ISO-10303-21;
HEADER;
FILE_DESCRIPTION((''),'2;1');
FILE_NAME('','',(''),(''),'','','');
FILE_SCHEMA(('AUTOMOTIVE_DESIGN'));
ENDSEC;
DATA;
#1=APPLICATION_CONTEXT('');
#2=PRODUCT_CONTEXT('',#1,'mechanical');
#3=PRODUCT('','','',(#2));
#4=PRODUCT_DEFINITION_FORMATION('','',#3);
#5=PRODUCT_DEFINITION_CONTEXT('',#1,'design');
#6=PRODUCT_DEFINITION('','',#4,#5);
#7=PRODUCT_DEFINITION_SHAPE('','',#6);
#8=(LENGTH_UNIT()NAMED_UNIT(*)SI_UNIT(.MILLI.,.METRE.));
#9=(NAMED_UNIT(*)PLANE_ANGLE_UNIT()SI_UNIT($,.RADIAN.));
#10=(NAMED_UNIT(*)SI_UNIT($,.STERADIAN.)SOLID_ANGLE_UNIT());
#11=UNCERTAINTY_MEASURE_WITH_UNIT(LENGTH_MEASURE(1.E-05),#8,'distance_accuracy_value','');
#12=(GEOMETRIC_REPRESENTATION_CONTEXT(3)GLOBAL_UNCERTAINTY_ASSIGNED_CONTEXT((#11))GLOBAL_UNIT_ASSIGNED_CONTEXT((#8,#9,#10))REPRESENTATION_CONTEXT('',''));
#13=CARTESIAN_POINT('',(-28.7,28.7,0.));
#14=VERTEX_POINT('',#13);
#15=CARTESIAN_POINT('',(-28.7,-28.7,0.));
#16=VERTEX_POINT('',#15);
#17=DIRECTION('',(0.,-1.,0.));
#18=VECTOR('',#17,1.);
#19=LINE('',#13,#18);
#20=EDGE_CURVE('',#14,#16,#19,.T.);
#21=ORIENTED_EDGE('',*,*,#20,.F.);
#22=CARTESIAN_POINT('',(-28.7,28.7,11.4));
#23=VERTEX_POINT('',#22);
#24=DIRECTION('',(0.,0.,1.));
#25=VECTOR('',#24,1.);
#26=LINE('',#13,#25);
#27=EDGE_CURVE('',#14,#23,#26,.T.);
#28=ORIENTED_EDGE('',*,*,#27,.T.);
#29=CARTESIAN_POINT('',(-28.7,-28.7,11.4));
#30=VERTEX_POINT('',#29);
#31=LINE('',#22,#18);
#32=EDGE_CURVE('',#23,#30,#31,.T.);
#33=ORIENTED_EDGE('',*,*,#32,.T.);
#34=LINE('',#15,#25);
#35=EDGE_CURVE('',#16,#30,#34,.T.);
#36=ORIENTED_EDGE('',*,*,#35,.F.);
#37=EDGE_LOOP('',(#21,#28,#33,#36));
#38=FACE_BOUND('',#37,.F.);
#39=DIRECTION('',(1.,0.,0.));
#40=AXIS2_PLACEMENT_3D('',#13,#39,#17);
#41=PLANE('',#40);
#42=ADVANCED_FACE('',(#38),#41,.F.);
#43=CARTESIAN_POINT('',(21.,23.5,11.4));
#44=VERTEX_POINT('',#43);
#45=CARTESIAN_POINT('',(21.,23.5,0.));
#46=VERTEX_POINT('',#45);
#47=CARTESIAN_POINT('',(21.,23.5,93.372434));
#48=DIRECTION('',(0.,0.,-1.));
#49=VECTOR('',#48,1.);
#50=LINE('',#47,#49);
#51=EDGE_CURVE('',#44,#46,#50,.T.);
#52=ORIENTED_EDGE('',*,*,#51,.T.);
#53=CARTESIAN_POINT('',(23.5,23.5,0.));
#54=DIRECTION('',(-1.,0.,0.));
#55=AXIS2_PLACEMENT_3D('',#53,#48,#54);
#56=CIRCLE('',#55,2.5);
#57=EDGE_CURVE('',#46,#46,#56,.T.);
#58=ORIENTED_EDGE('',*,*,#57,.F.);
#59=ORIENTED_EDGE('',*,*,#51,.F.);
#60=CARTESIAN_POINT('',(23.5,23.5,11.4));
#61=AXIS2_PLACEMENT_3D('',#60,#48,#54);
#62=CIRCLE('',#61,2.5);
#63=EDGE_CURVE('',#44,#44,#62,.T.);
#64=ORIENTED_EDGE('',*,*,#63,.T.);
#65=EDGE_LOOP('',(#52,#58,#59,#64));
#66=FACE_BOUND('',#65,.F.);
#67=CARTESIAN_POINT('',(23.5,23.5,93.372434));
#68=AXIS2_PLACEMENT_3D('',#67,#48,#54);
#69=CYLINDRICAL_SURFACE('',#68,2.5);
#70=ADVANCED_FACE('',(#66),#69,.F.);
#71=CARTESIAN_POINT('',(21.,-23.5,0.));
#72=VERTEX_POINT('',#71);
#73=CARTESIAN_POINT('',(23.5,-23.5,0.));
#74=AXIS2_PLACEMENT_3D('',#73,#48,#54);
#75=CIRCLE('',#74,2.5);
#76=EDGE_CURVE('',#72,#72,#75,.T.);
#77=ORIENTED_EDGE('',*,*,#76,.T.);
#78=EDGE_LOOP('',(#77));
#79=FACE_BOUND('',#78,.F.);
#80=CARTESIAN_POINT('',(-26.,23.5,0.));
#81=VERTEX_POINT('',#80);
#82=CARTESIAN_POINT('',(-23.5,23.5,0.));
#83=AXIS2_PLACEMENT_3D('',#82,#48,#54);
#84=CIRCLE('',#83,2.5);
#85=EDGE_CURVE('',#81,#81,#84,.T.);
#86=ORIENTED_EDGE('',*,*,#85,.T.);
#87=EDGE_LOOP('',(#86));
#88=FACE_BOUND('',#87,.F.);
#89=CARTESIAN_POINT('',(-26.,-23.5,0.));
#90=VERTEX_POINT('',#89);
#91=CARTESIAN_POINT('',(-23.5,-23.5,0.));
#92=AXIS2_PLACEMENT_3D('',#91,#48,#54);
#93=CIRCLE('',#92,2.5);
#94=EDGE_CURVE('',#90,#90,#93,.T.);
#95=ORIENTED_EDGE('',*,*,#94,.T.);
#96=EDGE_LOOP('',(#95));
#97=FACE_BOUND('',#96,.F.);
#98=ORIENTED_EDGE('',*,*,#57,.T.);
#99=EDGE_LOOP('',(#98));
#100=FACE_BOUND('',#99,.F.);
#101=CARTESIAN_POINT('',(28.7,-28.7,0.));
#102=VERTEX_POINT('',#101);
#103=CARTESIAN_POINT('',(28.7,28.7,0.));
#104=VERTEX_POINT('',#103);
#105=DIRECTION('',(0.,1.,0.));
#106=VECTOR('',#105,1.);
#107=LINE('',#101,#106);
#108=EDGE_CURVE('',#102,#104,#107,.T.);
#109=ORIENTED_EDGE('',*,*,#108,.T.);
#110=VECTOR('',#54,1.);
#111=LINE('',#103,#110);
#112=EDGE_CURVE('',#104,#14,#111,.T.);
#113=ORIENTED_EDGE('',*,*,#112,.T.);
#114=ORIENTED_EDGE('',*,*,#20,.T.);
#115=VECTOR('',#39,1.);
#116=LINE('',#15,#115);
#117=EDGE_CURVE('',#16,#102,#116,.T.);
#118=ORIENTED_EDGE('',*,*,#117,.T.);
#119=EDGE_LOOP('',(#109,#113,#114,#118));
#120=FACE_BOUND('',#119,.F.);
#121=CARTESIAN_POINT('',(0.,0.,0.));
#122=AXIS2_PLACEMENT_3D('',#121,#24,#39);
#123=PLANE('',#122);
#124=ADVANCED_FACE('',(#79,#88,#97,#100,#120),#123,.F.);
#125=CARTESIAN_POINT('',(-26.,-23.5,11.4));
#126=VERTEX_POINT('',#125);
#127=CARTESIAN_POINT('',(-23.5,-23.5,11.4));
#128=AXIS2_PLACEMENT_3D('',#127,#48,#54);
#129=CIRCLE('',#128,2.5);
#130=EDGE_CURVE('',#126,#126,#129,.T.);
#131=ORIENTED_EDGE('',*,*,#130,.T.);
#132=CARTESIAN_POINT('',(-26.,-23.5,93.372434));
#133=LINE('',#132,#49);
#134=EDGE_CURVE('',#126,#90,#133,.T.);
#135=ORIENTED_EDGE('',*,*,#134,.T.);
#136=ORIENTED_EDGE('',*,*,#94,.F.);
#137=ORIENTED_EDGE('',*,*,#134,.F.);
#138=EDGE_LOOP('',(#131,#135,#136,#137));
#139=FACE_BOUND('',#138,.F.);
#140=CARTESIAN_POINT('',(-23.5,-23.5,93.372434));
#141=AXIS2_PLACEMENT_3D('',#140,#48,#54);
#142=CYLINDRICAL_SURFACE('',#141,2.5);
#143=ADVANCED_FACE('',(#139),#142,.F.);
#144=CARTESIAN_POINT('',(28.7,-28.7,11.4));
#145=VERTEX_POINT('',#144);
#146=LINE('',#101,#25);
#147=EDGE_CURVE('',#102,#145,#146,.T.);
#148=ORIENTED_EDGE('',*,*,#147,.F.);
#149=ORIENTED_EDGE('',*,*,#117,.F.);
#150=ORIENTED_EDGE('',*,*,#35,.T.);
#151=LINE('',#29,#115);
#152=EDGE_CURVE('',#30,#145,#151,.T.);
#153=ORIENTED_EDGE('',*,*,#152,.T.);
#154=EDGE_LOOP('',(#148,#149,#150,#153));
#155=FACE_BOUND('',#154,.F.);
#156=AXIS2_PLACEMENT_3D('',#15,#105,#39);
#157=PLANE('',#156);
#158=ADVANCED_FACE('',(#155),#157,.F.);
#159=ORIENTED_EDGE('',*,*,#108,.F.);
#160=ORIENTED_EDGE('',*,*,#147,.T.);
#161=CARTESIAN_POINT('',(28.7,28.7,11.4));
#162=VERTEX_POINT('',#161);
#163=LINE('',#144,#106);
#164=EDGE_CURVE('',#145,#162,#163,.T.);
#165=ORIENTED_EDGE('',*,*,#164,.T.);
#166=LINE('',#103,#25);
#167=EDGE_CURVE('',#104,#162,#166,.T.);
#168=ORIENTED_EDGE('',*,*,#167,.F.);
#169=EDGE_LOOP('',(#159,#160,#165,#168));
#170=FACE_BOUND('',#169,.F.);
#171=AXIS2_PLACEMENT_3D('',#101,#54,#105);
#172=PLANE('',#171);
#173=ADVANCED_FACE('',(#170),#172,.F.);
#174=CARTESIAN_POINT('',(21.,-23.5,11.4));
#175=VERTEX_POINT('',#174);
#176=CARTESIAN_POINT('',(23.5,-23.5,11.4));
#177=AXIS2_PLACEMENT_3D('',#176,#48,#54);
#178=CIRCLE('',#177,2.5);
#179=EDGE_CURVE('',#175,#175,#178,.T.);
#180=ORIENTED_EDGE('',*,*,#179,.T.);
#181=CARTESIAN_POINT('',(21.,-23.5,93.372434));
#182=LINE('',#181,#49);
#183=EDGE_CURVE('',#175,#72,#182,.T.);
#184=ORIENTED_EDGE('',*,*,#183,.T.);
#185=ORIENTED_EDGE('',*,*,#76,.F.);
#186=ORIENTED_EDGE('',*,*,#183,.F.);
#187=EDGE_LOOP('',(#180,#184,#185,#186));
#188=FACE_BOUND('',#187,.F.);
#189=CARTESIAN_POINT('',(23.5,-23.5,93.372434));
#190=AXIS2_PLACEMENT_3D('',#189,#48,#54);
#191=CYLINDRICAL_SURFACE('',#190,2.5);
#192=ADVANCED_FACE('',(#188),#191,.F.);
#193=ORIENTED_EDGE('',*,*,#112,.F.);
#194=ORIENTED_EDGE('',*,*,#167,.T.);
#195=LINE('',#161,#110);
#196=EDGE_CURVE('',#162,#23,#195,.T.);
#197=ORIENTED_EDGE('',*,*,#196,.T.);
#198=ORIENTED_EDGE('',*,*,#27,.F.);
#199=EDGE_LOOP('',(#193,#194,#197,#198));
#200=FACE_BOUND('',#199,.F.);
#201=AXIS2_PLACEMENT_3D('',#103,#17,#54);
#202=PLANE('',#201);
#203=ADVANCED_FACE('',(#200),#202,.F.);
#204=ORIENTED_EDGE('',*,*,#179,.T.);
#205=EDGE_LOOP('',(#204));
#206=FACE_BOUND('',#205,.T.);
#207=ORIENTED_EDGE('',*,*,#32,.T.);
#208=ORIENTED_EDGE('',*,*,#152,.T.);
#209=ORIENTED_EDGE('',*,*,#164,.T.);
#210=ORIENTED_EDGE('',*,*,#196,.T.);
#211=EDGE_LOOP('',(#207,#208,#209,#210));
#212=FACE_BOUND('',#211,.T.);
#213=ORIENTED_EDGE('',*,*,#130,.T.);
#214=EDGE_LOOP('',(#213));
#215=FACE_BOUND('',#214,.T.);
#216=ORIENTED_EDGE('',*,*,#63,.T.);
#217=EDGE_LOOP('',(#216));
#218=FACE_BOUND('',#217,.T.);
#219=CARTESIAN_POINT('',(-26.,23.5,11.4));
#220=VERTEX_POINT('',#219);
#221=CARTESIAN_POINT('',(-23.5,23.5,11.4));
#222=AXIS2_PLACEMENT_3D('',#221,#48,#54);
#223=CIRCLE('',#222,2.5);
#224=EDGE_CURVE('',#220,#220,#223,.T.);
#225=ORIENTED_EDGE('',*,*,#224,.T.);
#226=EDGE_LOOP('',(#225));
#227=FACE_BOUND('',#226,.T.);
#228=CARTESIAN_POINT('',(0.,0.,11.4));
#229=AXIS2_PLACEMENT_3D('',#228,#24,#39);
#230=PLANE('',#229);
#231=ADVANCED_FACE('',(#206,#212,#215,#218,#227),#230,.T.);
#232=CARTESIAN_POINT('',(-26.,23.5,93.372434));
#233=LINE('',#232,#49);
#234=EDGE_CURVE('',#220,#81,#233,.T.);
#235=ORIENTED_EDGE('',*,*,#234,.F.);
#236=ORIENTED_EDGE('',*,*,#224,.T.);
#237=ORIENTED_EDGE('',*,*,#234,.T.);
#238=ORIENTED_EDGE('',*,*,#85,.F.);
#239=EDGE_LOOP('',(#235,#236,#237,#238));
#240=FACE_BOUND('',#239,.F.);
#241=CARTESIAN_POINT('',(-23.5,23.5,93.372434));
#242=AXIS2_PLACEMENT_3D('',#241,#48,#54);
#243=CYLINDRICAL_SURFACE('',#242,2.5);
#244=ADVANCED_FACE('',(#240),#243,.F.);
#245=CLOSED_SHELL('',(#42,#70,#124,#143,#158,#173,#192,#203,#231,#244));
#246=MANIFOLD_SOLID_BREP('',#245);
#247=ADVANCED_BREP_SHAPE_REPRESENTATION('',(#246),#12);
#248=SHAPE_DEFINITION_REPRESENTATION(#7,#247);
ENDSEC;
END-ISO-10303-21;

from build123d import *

# Parameters (mm, degrees)
AUFSATZ_LINEAR_AUSTRAGEN1_DEPTH = 11.4
F_5_0_5_DURCHMESSER_BOHRUNG1_D  = 5


with BuildPart() as part:
    # Skizze1 → Aufsatz-Linear austragen1 (new body)
    with BuildSketch(Plane.XY):
        Polygon((28.7, -28.7), (28.7, 0), (28.7, 28.7), (-28.7, 28.7), (-28.7, -28.7), align=None)
    extrude(amount=AUFSATZ_LINEAR_AUSTRAGEN1_DEPTH)

    # Ø5.0 (5) Durchmesser Bohrung1 (through all)
    with Locations(Plane.XY.offset(11.4)):
        with Locations((-23.5, 23.5), (23.5, 23.5), (23.5, -23.5), (-23.5, -23.5)):
            Hole(F_5_0_5_DURCHMESSER_BOHRUNG1_D / 2)


solid = part.part
